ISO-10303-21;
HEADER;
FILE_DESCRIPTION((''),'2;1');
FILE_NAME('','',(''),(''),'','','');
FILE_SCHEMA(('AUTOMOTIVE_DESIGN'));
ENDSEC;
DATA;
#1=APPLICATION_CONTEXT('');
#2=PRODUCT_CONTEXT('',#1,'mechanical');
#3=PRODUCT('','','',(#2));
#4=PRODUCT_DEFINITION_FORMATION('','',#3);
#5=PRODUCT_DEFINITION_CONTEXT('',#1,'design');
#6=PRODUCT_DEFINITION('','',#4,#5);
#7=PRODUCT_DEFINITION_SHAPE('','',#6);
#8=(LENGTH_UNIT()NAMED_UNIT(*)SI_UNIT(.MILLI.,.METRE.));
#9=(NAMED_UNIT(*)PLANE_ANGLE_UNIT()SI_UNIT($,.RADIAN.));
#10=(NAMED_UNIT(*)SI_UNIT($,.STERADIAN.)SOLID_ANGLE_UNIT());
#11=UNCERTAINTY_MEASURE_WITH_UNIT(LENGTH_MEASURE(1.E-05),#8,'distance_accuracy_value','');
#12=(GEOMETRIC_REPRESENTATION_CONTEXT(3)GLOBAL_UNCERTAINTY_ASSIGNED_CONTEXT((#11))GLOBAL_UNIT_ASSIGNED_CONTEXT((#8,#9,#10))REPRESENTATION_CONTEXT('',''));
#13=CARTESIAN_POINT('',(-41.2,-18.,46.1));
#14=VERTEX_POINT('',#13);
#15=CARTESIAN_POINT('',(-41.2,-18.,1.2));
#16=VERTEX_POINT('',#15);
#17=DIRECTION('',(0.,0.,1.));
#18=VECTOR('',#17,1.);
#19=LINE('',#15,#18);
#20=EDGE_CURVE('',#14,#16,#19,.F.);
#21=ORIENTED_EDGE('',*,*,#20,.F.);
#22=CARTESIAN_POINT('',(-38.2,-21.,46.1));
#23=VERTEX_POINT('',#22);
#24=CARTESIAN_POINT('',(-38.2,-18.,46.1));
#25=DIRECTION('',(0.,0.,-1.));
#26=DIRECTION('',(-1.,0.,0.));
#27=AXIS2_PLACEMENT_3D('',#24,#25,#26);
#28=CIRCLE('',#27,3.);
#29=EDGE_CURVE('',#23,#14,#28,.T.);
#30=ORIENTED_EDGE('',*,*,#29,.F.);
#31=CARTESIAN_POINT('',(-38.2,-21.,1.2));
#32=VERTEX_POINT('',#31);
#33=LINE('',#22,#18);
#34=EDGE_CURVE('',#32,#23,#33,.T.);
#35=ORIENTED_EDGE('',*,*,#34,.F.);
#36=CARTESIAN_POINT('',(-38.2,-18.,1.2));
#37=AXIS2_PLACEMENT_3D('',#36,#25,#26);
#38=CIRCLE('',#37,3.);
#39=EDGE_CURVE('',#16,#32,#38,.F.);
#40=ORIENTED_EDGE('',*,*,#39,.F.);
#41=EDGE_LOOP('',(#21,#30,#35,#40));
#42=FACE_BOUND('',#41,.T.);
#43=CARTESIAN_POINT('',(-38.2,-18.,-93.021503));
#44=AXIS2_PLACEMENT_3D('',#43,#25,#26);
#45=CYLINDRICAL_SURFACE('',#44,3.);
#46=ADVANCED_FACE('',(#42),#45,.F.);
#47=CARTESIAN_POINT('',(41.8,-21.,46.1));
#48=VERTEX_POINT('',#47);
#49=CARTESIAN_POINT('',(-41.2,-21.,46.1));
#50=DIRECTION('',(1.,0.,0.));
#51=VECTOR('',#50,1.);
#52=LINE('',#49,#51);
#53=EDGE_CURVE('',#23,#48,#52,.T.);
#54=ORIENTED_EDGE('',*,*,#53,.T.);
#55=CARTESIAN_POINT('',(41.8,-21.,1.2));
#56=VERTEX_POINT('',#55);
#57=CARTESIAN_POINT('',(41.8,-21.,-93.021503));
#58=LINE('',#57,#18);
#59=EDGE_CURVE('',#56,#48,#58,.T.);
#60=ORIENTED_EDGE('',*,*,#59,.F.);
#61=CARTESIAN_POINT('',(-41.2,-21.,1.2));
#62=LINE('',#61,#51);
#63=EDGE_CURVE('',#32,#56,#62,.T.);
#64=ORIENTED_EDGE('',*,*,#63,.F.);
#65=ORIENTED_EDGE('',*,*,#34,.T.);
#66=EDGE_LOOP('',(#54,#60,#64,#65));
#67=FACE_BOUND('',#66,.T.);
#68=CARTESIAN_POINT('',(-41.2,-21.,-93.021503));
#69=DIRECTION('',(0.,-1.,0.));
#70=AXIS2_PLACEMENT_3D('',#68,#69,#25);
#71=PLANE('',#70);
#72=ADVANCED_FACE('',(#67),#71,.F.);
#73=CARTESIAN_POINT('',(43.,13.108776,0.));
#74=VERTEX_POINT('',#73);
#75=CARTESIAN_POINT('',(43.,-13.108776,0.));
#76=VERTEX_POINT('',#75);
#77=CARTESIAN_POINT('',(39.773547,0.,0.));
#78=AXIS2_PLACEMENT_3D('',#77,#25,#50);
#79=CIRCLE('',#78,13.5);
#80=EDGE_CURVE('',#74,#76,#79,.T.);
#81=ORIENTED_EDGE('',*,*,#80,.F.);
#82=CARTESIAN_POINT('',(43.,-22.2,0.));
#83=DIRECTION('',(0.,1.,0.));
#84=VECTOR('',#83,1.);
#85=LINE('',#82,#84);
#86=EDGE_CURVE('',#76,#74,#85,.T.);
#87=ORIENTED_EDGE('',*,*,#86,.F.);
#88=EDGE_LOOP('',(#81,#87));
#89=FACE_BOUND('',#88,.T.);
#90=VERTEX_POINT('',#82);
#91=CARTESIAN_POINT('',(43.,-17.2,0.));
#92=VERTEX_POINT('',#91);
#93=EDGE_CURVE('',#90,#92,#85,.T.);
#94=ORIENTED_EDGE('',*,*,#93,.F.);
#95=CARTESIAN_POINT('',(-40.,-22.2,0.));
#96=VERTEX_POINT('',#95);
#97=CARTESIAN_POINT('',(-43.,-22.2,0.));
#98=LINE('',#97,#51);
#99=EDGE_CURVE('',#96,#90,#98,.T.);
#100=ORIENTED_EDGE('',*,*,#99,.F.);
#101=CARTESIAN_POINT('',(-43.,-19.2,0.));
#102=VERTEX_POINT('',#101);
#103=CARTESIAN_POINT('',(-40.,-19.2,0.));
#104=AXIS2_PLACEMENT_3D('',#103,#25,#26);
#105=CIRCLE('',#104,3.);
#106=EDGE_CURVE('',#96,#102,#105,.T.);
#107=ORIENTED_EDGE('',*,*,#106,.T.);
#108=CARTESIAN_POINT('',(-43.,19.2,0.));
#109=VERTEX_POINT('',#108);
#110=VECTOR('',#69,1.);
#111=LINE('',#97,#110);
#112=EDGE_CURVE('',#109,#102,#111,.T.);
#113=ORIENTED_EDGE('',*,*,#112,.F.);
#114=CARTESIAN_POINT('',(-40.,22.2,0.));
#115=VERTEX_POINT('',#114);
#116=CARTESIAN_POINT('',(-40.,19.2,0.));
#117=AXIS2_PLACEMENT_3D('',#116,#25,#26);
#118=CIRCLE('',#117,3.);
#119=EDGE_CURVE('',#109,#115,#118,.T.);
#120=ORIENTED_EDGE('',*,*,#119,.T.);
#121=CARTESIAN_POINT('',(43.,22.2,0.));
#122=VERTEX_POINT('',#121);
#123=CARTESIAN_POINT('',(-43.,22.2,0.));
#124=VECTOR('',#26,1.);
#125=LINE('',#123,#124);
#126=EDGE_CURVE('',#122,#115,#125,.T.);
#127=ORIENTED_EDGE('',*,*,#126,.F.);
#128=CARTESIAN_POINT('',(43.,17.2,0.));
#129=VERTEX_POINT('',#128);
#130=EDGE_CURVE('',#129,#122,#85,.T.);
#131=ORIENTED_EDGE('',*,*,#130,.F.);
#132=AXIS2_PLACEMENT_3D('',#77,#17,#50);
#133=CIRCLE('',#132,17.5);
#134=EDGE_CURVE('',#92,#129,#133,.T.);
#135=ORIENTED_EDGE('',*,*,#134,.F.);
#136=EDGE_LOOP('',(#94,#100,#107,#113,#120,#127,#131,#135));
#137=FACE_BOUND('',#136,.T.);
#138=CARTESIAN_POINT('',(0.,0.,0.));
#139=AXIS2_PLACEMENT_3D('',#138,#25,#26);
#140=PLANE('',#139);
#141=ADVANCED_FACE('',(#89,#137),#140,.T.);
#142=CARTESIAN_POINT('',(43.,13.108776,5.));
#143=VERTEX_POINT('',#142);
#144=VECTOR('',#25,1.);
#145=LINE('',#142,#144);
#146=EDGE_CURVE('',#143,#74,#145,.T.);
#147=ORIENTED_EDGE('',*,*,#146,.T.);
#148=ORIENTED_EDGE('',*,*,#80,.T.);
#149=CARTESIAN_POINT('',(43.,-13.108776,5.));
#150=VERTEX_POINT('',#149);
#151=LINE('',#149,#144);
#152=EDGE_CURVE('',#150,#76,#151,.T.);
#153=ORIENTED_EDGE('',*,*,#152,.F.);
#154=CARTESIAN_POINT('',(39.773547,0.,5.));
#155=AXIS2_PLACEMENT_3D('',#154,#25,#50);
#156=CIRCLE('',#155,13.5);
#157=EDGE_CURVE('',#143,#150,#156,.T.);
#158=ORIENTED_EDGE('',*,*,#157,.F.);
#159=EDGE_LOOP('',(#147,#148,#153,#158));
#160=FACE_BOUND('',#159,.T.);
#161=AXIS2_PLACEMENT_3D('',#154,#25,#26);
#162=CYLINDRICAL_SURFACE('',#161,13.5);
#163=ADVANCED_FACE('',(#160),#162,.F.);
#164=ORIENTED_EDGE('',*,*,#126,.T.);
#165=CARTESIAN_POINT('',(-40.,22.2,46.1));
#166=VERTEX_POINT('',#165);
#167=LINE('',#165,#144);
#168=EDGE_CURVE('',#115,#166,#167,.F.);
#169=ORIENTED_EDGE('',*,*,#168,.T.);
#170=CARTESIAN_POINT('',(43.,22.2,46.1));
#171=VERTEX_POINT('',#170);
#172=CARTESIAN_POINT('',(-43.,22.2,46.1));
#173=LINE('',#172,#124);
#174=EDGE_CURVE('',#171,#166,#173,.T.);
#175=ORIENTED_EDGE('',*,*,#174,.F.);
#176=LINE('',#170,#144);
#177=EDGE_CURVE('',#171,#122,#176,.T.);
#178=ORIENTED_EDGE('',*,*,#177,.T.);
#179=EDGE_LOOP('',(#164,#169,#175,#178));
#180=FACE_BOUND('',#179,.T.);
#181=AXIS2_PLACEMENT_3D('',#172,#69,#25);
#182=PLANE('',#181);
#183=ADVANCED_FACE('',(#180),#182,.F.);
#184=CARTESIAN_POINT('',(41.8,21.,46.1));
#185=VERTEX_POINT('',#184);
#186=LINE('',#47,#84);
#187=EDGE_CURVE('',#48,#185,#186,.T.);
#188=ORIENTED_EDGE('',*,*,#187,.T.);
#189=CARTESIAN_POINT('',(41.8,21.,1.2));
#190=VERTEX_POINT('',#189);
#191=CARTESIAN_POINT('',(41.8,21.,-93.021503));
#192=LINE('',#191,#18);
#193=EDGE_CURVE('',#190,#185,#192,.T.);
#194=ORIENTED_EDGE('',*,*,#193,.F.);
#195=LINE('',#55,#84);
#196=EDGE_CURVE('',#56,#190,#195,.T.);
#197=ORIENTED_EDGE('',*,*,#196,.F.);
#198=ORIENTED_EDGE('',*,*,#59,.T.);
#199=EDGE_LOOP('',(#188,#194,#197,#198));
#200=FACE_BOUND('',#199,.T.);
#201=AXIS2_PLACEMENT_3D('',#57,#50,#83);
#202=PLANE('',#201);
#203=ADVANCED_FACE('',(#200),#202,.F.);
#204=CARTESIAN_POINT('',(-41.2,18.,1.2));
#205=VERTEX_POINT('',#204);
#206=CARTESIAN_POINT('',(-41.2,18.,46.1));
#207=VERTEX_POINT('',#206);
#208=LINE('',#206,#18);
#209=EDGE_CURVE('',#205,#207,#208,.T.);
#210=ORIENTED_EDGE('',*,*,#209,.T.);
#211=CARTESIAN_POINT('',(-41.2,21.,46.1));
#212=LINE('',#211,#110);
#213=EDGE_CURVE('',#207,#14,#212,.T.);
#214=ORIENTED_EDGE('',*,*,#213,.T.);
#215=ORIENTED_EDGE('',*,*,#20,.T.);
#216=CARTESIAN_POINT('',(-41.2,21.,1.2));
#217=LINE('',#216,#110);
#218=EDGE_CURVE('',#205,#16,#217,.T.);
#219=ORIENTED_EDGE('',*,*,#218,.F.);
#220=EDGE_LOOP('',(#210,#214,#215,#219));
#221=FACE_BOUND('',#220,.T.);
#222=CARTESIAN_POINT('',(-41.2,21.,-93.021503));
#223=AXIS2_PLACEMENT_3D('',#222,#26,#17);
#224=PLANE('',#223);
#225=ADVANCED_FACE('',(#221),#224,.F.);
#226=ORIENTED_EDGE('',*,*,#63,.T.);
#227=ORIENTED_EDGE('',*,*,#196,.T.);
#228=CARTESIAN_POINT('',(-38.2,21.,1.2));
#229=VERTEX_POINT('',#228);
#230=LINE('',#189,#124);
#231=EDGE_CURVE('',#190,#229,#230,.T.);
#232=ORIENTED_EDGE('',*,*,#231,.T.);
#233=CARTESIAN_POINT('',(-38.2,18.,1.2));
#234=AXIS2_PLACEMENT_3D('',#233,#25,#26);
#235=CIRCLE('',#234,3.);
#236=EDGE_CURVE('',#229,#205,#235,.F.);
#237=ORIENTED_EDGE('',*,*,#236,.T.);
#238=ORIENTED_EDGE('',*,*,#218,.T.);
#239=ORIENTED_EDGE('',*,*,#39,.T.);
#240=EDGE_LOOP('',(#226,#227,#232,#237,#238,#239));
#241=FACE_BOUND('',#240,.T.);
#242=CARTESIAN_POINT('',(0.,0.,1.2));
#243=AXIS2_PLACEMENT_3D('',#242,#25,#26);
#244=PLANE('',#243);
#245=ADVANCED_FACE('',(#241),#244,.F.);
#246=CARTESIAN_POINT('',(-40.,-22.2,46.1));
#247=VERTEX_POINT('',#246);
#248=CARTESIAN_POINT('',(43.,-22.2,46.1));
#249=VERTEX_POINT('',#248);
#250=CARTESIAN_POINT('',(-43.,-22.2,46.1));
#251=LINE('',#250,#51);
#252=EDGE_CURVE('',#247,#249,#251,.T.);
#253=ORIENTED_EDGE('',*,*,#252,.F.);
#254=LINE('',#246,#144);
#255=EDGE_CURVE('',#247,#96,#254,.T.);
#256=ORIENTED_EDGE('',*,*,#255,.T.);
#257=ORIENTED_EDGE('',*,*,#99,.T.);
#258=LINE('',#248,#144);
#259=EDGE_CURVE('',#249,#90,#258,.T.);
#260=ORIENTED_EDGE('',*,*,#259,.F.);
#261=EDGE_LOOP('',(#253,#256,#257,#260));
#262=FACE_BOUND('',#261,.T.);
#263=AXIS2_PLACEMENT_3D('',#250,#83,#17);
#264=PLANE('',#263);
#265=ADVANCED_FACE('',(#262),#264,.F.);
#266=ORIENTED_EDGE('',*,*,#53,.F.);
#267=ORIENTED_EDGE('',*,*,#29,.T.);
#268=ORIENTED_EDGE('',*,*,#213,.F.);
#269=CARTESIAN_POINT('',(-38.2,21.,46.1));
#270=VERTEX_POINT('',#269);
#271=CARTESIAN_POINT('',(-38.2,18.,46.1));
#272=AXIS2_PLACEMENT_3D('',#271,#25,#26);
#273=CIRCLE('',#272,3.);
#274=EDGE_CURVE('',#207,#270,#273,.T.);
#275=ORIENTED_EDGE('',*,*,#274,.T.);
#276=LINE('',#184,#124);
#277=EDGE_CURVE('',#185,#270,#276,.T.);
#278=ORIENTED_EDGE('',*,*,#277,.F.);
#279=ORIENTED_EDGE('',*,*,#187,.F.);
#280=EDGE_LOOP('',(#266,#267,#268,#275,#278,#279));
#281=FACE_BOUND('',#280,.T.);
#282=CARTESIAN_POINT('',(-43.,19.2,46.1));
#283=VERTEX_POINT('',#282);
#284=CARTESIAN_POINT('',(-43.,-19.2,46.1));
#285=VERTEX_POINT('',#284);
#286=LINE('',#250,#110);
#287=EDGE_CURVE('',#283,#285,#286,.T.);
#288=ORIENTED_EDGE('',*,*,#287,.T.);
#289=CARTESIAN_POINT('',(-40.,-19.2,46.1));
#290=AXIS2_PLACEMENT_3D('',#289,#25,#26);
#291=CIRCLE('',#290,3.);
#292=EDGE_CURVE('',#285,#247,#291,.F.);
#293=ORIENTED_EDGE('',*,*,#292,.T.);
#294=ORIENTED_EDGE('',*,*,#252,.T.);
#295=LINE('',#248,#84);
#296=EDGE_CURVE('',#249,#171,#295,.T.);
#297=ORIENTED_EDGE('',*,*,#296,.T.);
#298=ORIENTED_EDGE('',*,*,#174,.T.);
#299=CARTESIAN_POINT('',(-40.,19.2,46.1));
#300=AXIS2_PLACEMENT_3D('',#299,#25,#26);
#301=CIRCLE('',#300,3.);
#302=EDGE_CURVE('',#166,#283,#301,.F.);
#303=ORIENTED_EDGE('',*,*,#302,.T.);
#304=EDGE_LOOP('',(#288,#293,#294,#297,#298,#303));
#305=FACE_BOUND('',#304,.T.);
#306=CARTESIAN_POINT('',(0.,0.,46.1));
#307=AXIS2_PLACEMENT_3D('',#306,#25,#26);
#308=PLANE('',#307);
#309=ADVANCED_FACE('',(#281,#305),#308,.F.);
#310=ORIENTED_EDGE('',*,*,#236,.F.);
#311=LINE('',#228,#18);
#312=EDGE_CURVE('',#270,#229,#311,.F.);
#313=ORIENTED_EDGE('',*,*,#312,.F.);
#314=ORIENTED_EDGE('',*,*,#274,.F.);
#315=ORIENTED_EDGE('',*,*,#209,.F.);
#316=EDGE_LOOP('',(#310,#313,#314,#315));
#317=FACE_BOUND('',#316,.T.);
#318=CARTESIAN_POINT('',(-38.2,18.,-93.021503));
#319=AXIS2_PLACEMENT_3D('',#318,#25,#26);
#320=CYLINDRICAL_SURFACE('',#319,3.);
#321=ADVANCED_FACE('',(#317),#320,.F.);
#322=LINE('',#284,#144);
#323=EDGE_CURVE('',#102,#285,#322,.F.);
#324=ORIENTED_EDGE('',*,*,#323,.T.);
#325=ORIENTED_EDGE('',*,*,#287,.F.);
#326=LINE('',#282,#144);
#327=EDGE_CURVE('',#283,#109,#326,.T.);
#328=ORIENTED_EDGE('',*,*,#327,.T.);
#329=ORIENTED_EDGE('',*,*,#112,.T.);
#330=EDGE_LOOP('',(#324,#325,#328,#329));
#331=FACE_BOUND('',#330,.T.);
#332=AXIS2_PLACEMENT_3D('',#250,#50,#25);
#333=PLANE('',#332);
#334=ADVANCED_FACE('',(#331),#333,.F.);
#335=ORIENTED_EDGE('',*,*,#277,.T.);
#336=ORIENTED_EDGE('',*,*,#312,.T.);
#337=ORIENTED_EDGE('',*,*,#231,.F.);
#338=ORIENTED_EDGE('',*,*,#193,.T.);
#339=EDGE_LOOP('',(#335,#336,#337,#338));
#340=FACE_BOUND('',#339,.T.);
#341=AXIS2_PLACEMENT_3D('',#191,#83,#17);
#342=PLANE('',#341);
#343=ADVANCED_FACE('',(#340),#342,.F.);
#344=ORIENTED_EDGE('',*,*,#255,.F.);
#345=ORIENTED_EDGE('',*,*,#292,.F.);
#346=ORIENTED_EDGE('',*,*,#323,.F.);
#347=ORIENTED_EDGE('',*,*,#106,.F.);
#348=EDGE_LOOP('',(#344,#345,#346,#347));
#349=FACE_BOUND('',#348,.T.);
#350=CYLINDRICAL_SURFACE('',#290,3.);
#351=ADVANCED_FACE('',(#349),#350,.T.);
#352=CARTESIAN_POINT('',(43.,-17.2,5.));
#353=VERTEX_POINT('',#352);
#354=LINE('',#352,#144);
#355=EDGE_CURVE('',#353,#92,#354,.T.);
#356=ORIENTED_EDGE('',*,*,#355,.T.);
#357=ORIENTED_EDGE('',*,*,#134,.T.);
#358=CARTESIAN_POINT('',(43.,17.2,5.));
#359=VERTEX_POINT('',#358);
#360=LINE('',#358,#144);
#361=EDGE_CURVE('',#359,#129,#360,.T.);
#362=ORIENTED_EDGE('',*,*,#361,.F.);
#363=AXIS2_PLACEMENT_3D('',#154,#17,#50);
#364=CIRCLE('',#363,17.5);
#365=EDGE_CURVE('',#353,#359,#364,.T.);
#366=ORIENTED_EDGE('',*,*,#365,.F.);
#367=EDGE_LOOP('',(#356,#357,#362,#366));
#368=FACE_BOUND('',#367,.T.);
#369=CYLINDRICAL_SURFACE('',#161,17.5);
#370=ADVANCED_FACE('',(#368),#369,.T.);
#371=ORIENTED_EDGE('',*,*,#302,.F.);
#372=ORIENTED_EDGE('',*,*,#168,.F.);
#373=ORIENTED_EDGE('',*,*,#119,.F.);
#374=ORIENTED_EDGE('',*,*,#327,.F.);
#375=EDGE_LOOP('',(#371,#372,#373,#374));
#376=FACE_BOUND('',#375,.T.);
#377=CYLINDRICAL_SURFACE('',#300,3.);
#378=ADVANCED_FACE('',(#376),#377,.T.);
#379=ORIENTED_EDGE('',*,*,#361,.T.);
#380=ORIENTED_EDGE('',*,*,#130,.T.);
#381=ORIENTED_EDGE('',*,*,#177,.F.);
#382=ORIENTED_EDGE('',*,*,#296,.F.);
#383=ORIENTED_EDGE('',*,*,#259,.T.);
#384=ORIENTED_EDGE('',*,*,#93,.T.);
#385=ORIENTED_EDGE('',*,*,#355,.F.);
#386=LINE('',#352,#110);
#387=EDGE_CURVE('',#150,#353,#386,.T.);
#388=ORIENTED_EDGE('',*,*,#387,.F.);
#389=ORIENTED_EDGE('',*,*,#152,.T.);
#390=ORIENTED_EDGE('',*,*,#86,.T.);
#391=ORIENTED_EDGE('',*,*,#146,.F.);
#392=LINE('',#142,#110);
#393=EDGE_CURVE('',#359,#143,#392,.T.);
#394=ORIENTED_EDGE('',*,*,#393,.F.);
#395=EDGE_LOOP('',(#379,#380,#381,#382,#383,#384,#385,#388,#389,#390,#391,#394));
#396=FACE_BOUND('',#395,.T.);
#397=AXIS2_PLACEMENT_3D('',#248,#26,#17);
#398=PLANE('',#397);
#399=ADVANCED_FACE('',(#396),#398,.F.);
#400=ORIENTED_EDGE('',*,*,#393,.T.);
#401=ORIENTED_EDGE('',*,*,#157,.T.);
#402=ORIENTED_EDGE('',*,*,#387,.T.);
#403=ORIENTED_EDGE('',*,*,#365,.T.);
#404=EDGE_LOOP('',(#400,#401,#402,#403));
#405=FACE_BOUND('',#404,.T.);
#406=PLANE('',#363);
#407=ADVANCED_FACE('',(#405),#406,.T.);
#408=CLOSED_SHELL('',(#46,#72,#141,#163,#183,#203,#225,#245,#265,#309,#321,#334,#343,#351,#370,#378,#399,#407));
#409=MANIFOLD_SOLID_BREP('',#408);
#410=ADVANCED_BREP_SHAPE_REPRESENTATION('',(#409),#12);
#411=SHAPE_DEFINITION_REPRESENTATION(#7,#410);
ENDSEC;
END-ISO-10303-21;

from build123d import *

# Parameters (mm, degrees)
SKETCH_1_W          = 86
SKETCH_1_H          = 44.4
EXTRUDE_1_DEPTH     = 46.1
EXTRUDE_2_DEPTH     = 5
SKETCH_3_W          = 83
SKETCH_3_H          = 42
CUT_EXTRUDE_1_DEPTH = 44.9
FILLET_1_R          = 3


with BuildPart() as part:
    # Эскиз1 → Бобышка-Вытянуть1 (new body)
    with BuildSketch(Plane.XY):
        Rectangle(SKETCH_1_W, SKETCH_1_H)
    extrude(amount=EXTRUDE_1_DEPTH)

    # Эскиз2 → Бобышка-Вытянуть2 (add)
    with BuildSketch(Plane.XY):
        with BuildLine():
            Line((43, 13.108775687), (43, 17.2))
            ThreePointArc((43, 17.2), (57.273546839, 0), (43, -17.2))
            Line((43, -17.2), (43, -13.108775687))
            ThreePointArc((43, -13.108775687), (53.273546839, 0), (43, 13.108775687))
        make_face()
    extrude(amount=EXTRUDE_2_DEPTH)

    # Эскиз3 → Вырез-Вытянуть1 (cut)
    with BuildSketch(Plane.XY.offset(46.1)):
        with Locations((0.3, 0)):
            Rectangle(SKETCH_3_W, SKETCH_3_H)
    extrude(amount=-CUT_EXTRUDE_1_DEPTH, mode=Mode.SUBTRACT)

    # Скругление1
    fillet_1_edges = [part.edges().sort_by_distance(p)[0] for p in [
        (-41.2, 21, 23.65),
        (-41.2, -21, 23.65),
        (-43, -22.2, 23.05),
        (-43, 22.2, 23.05),
    ]]
    fillet(fillet_1_edges, radius=FILLET_1_R)


solid = part.part
